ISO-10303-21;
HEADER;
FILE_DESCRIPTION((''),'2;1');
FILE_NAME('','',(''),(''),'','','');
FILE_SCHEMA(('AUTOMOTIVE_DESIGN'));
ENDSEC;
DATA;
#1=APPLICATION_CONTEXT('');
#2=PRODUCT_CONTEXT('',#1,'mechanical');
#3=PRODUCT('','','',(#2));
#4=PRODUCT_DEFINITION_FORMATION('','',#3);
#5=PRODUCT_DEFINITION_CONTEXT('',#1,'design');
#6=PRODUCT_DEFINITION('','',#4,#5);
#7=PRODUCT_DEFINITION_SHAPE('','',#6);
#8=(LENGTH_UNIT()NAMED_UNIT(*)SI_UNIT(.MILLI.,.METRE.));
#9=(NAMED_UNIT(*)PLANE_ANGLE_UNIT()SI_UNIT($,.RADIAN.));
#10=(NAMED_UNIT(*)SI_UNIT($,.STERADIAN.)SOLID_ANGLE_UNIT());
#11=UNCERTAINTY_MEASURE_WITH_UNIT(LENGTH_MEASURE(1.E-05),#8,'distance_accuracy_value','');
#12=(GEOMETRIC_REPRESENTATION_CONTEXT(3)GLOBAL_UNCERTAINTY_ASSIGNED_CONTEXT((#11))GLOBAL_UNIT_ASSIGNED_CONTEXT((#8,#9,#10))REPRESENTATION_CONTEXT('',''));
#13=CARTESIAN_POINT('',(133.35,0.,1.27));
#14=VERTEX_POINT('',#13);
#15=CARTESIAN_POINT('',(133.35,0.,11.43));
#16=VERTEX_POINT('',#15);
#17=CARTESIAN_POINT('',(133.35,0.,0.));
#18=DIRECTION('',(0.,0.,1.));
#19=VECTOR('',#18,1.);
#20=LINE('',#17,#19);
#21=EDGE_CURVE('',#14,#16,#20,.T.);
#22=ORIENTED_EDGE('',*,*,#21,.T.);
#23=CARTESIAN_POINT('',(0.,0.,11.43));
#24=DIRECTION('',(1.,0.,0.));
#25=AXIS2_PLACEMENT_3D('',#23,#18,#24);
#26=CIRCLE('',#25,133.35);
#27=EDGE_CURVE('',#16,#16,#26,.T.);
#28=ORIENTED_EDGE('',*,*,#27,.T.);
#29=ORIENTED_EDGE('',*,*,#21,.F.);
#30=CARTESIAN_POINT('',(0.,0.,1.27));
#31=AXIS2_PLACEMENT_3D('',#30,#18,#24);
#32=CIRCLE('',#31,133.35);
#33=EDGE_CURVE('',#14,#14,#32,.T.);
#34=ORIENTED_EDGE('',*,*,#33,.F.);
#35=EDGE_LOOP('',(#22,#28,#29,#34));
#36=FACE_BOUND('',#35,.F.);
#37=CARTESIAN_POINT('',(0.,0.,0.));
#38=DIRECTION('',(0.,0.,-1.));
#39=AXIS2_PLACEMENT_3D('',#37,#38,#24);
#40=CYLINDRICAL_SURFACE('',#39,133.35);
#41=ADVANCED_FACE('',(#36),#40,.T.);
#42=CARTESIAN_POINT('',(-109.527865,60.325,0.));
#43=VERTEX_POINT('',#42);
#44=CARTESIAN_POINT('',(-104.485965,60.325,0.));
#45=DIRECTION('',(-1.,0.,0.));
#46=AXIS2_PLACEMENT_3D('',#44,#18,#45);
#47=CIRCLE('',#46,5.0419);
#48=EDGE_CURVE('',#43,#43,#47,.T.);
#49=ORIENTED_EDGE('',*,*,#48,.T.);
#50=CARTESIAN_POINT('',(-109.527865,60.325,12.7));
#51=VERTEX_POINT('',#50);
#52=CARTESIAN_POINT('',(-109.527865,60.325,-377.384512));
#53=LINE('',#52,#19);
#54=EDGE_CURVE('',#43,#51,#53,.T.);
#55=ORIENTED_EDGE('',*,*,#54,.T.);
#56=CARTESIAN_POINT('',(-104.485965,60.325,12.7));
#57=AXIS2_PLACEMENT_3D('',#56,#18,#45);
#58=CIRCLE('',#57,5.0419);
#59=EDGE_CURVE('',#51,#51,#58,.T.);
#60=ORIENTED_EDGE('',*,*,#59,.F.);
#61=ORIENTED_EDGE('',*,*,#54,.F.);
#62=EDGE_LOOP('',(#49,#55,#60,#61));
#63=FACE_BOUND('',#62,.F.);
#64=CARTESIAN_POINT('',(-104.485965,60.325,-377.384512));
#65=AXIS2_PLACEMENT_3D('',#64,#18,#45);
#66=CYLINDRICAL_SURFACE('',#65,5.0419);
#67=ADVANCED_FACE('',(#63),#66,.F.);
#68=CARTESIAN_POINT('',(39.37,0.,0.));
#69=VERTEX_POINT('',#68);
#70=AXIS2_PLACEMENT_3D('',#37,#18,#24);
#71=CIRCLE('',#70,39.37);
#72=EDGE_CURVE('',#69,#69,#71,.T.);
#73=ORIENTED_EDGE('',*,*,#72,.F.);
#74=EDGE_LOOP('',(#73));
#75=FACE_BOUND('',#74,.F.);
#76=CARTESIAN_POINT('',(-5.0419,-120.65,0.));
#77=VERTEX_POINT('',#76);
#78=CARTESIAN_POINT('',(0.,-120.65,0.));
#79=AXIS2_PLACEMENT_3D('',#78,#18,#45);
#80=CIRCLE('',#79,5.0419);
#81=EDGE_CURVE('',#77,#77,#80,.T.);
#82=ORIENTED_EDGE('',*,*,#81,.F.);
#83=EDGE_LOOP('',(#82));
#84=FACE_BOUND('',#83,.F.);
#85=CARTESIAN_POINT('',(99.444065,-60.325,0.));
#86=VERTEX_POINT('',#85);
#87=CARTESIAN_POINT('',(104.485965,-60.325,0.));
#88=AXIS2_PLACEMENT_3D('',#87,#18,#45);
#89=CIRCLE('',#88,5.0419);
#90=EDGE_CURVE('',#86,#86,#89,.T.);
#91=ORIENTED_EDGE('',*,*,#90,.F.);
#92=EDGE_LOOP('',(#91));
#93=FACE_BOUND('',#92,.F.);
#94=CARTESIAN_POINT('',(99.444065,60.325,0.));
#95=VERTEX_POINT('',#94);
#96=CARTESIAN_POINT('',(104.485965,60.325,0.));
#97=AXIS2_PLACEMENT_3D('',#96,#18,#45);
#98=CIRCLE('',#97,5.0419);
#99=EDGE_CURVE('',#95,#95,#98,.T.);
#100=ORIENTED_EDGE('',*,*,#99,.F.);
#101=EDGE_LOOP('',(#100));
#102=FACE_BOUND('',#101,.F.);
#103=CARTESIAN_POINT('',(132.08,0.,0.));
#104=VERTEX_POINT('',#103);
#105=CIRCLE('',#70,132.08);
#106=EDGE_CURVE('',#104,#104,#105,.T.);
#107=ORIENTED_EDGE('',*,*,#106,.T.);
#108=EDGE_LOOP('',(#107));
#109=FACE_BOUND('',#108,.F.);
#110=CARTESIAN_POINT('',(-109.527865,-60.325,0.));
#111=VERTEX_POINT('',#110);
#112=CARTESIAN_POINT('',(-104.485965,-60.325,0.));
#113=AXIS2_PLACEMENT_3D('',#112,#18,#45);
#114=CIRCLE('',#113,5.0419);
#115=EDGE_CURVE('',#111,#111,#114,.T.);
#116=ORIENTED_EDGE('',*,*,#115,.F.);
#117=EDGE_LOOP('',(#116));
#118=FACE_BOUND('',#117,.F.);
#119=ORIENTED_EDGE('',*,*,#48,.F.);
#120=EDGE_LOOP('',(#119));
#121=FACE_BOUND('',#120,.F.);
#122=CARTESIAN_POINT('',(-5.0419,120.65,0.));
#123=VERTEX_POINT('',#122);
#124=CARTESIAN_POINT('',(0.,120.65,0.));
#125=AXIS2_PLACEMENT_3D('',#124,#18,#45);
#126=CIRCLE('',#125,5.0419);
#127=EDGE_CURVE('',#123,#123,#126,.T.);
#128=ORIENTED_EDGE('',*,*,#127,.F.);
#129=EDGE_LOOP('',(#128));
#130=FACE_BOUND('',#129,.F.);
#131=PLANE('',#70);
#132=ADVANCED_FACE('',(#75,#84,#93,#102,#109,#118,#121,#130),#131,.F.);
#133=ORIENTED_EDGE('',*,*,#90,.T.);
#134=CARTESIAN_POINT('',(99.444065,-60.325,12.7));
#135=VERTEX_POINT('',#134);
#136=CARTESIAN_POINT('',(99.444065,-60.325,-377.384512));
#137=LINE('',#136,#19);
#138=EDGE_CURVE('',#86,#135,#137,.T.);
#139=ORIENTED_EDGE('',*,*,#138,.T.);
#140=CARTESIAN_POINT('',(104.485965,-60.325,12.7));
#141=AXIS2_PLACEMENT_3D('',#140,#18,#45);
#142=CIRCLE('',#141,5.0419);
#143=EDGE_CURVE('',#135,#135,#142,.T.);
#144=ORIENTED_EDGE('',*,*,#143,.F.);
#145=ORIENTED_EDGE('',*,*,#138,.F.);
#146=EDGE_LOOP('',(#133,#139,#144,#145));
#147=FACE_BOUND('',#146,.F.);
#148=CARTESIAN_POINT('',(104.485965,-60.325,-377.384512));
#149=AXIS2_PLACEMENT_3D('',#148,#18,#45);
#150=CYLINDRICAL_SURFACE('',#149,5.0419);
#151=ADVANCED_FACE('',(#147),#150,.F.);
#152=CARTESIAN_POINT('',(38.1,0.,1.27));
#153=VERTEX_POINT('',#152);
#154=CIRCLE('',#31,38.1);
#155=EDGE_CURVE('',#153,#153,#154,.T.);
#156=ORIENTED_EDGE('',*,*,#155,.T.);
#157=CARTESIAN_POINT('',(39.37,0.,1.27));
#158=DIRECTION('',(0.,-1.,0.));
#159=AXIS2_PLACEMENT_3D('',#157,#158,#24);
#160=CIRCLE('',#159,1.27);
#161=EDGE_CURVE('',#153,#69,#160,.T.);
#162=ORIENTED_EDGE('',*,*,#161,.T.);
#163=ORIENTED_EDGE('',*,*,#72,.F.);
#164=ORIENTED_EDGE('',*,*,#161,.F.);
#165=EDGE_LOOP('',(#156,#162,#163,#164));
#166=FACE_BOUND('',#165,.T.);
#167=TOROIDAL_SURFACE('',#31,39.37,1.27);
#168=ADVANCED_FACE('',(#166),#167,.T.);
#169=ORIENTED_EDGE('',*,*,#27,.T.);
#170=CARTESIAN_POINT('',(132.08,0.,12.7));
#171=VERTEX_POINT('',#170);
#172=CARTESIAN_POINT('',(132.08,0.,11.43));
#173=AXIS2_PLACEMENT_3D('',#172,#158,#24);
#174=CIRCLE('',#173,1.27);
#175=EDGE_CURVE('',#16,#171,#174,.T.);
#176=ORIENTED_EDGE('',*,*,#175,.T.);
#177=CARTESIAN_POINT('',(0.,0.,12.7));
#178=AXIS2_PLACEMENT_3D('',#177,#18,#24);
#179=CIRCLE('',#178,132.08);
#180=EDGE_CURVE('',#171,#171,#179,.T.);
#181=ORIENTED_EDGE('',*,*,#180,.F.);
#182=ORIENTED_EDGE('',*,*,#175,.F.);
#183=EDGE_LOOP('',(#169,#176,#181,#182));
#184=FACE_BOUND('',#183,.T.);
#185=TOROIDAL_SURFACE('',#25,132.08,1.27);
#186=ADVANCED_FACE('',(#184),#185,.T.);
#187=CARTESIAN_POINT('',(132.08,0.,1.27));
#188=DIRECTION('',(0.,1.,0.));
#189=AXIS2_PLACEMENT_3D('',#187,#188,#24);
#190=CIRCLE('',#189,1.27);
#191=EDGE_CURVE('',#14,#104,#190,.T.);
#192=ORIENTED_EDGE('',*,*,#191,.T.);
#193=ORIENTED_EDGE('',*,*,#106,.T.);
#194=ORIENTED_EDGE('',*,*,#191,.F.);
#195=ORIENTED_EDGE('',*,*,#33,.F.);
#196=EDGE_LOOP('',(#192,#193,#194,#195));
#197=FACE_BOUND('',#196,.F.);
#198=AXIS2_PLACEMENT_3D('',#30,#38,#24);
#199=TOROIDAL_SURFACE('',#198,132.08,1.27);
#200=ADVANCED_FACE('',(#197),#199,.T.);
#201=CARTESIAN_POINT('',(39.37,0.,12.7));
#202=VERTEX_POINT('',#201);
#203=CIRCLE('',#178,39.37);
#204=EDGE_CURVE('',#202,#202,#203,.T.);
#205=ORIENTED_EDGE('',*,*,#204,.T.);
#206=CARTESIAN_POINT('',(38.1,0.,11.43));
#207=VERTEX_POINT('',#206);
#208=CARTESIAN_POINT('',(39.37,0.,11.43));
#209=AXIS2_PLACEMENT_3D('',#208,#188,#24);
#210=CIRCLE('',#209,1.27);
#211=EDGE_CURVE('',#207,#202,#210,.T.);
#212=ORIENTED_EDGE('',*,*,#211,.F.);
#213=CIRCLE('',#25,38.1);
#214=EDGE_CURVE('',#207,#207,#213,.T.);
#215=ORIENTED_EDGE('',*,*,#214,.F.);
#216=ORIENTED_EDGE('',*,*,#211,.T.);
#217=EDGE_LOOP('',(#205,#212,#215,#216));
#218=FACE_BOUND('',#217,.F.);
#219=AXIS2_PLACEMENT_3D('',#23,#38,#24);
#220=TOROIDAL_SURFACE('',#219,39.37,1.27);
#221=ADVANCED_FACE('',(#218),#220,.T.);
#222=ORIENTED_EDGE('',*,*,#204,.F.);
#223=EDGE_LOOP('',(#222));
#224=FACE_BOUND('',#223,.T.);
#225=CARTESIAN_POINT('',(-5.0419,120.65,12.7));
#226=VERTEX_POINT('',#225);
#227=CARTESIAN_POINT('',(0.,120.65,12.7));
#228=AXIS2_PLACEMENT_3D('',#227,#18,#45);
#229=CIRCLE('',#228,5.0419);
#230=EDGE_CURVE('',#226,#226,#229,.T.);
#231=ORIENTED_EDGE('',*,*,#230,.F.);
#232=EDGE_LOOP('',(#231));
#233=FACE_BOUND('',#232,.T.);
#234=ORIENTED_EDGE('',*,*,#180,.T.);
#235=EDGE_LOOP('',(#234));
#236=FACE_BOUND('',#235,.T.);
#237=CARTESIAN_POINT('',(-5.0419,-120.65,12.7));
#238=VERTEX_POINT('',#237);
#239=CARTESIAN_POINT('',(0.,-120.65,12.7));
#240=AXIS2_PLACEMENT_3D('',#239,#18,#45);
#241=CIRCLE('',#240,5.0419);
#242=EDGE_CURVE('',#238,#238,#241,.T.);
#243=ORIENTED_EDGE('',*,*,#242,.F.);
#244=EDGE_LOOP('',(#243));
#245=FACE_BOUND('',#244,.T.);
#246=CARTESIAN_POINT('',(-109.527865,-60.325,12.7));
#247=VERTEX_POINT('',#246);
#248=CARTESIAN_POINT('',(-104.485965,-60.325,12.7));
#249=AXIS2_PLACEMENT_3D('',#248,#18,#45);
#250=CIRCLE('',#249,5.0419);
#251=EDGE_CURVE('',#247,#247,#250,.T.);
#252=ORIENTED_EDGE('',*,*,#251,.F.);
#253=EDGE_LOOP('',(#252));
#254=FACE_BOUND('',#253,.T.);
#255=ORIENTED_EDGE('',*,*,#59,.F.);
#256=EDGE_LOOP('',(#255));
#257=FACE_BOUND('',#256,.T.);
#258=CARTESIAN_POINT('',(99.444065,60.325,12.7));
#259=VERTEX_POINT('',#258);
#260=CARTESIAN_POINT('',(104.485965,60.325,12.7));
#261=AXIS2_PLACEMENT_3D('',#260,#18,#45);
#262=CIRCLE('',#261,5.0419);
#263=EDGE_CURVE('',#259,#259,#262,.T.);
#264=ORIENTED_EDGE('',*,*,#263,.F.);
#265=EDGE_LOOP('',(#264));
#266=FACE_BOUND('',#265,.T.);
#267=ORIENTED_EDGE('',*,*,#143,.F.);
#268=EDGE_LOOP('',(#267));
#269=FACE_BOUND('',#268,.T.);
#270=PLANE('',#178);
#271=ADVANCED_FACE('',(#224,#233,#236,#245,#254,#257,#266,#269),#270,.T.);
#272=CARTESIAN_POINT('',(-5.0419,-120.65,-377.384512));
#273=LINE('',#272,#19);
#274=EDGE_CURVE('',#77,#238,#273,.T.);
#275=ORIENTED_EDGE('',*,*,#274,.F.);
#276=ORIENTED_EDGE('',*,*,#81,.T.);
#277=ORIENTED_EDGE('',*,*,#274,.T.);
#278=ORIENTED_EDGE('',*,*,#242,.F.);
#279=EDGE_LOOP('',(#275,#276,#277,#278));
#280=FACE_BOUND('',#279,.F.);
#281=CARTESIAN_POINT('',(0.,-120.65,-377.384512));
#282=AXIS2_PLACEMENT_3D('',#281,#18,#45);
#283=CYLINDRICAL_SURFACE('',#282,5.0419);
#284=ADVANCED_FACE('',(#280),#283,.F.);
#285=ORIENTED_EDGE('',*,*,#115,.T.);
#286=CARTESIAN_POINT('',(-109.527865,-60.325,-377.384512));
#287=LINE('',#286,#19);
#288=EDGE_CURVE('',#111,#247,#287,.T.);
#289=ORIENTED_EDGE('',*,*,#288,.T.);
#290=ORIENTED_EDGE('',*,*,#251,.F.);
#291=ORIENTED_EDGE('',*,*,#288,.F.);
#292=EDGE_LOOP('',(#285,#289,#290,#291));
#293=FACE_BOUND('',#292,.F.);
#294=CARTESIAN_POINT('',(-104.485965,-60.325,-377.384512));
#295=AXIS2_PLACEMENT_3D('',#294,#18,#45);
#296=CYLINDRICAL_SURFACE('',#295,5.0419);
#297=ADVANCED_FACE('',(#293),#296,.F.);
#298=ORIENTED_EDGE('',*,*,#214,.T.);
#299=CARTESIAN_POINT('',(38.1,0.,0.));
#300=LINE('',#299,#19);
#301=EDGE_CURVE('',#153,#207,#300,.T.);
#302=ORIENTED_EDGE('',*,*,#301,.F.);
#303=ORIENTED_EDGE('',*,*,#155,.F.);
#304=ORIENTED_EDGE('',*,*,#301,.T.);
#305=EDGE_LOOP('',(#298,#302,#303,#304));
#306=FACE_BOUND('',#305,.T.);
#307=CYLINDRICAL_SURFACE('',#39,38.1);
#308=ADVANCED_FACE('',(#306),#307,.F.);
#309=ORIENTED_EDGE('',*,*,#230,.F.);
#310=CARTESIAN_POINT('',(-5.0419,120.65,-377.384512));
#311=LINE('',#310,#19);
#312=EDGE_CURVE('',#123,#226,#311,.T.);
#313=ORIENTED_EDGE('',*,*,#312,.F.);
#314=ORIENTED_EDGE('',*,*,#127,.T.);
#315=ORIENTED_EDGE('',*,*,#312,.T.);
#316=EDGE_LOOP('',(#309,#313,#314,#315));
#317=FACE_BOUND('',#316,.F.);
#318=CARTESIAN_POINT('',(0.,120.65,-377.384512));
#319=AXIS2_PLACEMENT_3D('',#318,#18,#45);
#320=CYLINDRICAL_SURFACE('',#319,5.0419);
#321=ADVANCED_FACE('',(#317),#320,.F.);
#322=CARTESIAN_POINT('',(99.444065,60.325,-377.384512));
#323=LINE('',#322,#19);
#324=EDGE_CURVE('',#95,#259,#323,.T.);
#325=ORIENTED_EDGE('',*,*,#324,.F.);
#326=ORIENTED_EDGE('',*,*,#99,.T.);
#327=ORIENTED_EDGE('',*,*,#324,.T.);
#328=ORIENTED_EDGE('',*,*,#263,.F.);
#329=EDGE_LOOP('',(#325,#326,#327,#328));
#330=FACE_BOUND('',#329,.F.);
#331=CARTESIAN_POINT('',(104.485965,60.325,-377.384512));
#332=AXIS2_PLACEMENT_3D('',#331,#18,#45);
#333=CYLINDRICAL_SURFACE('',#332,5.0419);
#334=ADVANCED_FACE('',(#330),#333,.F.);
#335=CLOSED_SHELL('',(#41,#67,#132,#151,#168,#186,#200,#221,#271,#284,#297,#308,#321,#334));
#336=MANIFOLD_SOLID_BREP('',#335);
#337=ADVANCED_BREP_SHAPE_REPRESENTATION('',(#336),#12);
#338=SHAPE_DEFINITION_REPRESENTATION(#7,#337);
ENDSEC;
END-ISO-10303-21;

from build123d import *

# Parameters (mm, degrees)
F0_R     = 133.35
F0_R_2   = 38.1
F1_DEPTH = 12.7
F2_R     = 1.27
F4_D     = 10.0838


with BuildPart() as f1:
    # F0 (on Top) → F1 (new body)
    with BuildSketch(Plane.XY):
        Circle(F0_R)
        Circle(F0_R_2, mode=Mode.SUBTRACT)
    extrude(amount=F1_DEPTH)

    # F2
    f2_edges = [f1.edges().sort_by_distance(p)[0] for p in [
        (-38.1, 0, 12.7),
        (-38.1, 0, 0),
        (-133.35, 0, 12.7),
        (-133.35, 0, 0),
    ]]
    fillet(f2_edges, radius=F2_R)

    # F4 (through all)
    with Locations(Plane(origin=(0, 0, 0), x_dir=(1, 0, 0), z_dir=(0, 0, -1))):
        with Locations((0, -120.65), (-104.4859649666, -60.325), (-104.4859649666, 60.325), (0, 120.65), (104.4859649666, 60.325), (104.4859649666, -60.325)):
            Hole(F4_D / 2)


solid = f1.part
